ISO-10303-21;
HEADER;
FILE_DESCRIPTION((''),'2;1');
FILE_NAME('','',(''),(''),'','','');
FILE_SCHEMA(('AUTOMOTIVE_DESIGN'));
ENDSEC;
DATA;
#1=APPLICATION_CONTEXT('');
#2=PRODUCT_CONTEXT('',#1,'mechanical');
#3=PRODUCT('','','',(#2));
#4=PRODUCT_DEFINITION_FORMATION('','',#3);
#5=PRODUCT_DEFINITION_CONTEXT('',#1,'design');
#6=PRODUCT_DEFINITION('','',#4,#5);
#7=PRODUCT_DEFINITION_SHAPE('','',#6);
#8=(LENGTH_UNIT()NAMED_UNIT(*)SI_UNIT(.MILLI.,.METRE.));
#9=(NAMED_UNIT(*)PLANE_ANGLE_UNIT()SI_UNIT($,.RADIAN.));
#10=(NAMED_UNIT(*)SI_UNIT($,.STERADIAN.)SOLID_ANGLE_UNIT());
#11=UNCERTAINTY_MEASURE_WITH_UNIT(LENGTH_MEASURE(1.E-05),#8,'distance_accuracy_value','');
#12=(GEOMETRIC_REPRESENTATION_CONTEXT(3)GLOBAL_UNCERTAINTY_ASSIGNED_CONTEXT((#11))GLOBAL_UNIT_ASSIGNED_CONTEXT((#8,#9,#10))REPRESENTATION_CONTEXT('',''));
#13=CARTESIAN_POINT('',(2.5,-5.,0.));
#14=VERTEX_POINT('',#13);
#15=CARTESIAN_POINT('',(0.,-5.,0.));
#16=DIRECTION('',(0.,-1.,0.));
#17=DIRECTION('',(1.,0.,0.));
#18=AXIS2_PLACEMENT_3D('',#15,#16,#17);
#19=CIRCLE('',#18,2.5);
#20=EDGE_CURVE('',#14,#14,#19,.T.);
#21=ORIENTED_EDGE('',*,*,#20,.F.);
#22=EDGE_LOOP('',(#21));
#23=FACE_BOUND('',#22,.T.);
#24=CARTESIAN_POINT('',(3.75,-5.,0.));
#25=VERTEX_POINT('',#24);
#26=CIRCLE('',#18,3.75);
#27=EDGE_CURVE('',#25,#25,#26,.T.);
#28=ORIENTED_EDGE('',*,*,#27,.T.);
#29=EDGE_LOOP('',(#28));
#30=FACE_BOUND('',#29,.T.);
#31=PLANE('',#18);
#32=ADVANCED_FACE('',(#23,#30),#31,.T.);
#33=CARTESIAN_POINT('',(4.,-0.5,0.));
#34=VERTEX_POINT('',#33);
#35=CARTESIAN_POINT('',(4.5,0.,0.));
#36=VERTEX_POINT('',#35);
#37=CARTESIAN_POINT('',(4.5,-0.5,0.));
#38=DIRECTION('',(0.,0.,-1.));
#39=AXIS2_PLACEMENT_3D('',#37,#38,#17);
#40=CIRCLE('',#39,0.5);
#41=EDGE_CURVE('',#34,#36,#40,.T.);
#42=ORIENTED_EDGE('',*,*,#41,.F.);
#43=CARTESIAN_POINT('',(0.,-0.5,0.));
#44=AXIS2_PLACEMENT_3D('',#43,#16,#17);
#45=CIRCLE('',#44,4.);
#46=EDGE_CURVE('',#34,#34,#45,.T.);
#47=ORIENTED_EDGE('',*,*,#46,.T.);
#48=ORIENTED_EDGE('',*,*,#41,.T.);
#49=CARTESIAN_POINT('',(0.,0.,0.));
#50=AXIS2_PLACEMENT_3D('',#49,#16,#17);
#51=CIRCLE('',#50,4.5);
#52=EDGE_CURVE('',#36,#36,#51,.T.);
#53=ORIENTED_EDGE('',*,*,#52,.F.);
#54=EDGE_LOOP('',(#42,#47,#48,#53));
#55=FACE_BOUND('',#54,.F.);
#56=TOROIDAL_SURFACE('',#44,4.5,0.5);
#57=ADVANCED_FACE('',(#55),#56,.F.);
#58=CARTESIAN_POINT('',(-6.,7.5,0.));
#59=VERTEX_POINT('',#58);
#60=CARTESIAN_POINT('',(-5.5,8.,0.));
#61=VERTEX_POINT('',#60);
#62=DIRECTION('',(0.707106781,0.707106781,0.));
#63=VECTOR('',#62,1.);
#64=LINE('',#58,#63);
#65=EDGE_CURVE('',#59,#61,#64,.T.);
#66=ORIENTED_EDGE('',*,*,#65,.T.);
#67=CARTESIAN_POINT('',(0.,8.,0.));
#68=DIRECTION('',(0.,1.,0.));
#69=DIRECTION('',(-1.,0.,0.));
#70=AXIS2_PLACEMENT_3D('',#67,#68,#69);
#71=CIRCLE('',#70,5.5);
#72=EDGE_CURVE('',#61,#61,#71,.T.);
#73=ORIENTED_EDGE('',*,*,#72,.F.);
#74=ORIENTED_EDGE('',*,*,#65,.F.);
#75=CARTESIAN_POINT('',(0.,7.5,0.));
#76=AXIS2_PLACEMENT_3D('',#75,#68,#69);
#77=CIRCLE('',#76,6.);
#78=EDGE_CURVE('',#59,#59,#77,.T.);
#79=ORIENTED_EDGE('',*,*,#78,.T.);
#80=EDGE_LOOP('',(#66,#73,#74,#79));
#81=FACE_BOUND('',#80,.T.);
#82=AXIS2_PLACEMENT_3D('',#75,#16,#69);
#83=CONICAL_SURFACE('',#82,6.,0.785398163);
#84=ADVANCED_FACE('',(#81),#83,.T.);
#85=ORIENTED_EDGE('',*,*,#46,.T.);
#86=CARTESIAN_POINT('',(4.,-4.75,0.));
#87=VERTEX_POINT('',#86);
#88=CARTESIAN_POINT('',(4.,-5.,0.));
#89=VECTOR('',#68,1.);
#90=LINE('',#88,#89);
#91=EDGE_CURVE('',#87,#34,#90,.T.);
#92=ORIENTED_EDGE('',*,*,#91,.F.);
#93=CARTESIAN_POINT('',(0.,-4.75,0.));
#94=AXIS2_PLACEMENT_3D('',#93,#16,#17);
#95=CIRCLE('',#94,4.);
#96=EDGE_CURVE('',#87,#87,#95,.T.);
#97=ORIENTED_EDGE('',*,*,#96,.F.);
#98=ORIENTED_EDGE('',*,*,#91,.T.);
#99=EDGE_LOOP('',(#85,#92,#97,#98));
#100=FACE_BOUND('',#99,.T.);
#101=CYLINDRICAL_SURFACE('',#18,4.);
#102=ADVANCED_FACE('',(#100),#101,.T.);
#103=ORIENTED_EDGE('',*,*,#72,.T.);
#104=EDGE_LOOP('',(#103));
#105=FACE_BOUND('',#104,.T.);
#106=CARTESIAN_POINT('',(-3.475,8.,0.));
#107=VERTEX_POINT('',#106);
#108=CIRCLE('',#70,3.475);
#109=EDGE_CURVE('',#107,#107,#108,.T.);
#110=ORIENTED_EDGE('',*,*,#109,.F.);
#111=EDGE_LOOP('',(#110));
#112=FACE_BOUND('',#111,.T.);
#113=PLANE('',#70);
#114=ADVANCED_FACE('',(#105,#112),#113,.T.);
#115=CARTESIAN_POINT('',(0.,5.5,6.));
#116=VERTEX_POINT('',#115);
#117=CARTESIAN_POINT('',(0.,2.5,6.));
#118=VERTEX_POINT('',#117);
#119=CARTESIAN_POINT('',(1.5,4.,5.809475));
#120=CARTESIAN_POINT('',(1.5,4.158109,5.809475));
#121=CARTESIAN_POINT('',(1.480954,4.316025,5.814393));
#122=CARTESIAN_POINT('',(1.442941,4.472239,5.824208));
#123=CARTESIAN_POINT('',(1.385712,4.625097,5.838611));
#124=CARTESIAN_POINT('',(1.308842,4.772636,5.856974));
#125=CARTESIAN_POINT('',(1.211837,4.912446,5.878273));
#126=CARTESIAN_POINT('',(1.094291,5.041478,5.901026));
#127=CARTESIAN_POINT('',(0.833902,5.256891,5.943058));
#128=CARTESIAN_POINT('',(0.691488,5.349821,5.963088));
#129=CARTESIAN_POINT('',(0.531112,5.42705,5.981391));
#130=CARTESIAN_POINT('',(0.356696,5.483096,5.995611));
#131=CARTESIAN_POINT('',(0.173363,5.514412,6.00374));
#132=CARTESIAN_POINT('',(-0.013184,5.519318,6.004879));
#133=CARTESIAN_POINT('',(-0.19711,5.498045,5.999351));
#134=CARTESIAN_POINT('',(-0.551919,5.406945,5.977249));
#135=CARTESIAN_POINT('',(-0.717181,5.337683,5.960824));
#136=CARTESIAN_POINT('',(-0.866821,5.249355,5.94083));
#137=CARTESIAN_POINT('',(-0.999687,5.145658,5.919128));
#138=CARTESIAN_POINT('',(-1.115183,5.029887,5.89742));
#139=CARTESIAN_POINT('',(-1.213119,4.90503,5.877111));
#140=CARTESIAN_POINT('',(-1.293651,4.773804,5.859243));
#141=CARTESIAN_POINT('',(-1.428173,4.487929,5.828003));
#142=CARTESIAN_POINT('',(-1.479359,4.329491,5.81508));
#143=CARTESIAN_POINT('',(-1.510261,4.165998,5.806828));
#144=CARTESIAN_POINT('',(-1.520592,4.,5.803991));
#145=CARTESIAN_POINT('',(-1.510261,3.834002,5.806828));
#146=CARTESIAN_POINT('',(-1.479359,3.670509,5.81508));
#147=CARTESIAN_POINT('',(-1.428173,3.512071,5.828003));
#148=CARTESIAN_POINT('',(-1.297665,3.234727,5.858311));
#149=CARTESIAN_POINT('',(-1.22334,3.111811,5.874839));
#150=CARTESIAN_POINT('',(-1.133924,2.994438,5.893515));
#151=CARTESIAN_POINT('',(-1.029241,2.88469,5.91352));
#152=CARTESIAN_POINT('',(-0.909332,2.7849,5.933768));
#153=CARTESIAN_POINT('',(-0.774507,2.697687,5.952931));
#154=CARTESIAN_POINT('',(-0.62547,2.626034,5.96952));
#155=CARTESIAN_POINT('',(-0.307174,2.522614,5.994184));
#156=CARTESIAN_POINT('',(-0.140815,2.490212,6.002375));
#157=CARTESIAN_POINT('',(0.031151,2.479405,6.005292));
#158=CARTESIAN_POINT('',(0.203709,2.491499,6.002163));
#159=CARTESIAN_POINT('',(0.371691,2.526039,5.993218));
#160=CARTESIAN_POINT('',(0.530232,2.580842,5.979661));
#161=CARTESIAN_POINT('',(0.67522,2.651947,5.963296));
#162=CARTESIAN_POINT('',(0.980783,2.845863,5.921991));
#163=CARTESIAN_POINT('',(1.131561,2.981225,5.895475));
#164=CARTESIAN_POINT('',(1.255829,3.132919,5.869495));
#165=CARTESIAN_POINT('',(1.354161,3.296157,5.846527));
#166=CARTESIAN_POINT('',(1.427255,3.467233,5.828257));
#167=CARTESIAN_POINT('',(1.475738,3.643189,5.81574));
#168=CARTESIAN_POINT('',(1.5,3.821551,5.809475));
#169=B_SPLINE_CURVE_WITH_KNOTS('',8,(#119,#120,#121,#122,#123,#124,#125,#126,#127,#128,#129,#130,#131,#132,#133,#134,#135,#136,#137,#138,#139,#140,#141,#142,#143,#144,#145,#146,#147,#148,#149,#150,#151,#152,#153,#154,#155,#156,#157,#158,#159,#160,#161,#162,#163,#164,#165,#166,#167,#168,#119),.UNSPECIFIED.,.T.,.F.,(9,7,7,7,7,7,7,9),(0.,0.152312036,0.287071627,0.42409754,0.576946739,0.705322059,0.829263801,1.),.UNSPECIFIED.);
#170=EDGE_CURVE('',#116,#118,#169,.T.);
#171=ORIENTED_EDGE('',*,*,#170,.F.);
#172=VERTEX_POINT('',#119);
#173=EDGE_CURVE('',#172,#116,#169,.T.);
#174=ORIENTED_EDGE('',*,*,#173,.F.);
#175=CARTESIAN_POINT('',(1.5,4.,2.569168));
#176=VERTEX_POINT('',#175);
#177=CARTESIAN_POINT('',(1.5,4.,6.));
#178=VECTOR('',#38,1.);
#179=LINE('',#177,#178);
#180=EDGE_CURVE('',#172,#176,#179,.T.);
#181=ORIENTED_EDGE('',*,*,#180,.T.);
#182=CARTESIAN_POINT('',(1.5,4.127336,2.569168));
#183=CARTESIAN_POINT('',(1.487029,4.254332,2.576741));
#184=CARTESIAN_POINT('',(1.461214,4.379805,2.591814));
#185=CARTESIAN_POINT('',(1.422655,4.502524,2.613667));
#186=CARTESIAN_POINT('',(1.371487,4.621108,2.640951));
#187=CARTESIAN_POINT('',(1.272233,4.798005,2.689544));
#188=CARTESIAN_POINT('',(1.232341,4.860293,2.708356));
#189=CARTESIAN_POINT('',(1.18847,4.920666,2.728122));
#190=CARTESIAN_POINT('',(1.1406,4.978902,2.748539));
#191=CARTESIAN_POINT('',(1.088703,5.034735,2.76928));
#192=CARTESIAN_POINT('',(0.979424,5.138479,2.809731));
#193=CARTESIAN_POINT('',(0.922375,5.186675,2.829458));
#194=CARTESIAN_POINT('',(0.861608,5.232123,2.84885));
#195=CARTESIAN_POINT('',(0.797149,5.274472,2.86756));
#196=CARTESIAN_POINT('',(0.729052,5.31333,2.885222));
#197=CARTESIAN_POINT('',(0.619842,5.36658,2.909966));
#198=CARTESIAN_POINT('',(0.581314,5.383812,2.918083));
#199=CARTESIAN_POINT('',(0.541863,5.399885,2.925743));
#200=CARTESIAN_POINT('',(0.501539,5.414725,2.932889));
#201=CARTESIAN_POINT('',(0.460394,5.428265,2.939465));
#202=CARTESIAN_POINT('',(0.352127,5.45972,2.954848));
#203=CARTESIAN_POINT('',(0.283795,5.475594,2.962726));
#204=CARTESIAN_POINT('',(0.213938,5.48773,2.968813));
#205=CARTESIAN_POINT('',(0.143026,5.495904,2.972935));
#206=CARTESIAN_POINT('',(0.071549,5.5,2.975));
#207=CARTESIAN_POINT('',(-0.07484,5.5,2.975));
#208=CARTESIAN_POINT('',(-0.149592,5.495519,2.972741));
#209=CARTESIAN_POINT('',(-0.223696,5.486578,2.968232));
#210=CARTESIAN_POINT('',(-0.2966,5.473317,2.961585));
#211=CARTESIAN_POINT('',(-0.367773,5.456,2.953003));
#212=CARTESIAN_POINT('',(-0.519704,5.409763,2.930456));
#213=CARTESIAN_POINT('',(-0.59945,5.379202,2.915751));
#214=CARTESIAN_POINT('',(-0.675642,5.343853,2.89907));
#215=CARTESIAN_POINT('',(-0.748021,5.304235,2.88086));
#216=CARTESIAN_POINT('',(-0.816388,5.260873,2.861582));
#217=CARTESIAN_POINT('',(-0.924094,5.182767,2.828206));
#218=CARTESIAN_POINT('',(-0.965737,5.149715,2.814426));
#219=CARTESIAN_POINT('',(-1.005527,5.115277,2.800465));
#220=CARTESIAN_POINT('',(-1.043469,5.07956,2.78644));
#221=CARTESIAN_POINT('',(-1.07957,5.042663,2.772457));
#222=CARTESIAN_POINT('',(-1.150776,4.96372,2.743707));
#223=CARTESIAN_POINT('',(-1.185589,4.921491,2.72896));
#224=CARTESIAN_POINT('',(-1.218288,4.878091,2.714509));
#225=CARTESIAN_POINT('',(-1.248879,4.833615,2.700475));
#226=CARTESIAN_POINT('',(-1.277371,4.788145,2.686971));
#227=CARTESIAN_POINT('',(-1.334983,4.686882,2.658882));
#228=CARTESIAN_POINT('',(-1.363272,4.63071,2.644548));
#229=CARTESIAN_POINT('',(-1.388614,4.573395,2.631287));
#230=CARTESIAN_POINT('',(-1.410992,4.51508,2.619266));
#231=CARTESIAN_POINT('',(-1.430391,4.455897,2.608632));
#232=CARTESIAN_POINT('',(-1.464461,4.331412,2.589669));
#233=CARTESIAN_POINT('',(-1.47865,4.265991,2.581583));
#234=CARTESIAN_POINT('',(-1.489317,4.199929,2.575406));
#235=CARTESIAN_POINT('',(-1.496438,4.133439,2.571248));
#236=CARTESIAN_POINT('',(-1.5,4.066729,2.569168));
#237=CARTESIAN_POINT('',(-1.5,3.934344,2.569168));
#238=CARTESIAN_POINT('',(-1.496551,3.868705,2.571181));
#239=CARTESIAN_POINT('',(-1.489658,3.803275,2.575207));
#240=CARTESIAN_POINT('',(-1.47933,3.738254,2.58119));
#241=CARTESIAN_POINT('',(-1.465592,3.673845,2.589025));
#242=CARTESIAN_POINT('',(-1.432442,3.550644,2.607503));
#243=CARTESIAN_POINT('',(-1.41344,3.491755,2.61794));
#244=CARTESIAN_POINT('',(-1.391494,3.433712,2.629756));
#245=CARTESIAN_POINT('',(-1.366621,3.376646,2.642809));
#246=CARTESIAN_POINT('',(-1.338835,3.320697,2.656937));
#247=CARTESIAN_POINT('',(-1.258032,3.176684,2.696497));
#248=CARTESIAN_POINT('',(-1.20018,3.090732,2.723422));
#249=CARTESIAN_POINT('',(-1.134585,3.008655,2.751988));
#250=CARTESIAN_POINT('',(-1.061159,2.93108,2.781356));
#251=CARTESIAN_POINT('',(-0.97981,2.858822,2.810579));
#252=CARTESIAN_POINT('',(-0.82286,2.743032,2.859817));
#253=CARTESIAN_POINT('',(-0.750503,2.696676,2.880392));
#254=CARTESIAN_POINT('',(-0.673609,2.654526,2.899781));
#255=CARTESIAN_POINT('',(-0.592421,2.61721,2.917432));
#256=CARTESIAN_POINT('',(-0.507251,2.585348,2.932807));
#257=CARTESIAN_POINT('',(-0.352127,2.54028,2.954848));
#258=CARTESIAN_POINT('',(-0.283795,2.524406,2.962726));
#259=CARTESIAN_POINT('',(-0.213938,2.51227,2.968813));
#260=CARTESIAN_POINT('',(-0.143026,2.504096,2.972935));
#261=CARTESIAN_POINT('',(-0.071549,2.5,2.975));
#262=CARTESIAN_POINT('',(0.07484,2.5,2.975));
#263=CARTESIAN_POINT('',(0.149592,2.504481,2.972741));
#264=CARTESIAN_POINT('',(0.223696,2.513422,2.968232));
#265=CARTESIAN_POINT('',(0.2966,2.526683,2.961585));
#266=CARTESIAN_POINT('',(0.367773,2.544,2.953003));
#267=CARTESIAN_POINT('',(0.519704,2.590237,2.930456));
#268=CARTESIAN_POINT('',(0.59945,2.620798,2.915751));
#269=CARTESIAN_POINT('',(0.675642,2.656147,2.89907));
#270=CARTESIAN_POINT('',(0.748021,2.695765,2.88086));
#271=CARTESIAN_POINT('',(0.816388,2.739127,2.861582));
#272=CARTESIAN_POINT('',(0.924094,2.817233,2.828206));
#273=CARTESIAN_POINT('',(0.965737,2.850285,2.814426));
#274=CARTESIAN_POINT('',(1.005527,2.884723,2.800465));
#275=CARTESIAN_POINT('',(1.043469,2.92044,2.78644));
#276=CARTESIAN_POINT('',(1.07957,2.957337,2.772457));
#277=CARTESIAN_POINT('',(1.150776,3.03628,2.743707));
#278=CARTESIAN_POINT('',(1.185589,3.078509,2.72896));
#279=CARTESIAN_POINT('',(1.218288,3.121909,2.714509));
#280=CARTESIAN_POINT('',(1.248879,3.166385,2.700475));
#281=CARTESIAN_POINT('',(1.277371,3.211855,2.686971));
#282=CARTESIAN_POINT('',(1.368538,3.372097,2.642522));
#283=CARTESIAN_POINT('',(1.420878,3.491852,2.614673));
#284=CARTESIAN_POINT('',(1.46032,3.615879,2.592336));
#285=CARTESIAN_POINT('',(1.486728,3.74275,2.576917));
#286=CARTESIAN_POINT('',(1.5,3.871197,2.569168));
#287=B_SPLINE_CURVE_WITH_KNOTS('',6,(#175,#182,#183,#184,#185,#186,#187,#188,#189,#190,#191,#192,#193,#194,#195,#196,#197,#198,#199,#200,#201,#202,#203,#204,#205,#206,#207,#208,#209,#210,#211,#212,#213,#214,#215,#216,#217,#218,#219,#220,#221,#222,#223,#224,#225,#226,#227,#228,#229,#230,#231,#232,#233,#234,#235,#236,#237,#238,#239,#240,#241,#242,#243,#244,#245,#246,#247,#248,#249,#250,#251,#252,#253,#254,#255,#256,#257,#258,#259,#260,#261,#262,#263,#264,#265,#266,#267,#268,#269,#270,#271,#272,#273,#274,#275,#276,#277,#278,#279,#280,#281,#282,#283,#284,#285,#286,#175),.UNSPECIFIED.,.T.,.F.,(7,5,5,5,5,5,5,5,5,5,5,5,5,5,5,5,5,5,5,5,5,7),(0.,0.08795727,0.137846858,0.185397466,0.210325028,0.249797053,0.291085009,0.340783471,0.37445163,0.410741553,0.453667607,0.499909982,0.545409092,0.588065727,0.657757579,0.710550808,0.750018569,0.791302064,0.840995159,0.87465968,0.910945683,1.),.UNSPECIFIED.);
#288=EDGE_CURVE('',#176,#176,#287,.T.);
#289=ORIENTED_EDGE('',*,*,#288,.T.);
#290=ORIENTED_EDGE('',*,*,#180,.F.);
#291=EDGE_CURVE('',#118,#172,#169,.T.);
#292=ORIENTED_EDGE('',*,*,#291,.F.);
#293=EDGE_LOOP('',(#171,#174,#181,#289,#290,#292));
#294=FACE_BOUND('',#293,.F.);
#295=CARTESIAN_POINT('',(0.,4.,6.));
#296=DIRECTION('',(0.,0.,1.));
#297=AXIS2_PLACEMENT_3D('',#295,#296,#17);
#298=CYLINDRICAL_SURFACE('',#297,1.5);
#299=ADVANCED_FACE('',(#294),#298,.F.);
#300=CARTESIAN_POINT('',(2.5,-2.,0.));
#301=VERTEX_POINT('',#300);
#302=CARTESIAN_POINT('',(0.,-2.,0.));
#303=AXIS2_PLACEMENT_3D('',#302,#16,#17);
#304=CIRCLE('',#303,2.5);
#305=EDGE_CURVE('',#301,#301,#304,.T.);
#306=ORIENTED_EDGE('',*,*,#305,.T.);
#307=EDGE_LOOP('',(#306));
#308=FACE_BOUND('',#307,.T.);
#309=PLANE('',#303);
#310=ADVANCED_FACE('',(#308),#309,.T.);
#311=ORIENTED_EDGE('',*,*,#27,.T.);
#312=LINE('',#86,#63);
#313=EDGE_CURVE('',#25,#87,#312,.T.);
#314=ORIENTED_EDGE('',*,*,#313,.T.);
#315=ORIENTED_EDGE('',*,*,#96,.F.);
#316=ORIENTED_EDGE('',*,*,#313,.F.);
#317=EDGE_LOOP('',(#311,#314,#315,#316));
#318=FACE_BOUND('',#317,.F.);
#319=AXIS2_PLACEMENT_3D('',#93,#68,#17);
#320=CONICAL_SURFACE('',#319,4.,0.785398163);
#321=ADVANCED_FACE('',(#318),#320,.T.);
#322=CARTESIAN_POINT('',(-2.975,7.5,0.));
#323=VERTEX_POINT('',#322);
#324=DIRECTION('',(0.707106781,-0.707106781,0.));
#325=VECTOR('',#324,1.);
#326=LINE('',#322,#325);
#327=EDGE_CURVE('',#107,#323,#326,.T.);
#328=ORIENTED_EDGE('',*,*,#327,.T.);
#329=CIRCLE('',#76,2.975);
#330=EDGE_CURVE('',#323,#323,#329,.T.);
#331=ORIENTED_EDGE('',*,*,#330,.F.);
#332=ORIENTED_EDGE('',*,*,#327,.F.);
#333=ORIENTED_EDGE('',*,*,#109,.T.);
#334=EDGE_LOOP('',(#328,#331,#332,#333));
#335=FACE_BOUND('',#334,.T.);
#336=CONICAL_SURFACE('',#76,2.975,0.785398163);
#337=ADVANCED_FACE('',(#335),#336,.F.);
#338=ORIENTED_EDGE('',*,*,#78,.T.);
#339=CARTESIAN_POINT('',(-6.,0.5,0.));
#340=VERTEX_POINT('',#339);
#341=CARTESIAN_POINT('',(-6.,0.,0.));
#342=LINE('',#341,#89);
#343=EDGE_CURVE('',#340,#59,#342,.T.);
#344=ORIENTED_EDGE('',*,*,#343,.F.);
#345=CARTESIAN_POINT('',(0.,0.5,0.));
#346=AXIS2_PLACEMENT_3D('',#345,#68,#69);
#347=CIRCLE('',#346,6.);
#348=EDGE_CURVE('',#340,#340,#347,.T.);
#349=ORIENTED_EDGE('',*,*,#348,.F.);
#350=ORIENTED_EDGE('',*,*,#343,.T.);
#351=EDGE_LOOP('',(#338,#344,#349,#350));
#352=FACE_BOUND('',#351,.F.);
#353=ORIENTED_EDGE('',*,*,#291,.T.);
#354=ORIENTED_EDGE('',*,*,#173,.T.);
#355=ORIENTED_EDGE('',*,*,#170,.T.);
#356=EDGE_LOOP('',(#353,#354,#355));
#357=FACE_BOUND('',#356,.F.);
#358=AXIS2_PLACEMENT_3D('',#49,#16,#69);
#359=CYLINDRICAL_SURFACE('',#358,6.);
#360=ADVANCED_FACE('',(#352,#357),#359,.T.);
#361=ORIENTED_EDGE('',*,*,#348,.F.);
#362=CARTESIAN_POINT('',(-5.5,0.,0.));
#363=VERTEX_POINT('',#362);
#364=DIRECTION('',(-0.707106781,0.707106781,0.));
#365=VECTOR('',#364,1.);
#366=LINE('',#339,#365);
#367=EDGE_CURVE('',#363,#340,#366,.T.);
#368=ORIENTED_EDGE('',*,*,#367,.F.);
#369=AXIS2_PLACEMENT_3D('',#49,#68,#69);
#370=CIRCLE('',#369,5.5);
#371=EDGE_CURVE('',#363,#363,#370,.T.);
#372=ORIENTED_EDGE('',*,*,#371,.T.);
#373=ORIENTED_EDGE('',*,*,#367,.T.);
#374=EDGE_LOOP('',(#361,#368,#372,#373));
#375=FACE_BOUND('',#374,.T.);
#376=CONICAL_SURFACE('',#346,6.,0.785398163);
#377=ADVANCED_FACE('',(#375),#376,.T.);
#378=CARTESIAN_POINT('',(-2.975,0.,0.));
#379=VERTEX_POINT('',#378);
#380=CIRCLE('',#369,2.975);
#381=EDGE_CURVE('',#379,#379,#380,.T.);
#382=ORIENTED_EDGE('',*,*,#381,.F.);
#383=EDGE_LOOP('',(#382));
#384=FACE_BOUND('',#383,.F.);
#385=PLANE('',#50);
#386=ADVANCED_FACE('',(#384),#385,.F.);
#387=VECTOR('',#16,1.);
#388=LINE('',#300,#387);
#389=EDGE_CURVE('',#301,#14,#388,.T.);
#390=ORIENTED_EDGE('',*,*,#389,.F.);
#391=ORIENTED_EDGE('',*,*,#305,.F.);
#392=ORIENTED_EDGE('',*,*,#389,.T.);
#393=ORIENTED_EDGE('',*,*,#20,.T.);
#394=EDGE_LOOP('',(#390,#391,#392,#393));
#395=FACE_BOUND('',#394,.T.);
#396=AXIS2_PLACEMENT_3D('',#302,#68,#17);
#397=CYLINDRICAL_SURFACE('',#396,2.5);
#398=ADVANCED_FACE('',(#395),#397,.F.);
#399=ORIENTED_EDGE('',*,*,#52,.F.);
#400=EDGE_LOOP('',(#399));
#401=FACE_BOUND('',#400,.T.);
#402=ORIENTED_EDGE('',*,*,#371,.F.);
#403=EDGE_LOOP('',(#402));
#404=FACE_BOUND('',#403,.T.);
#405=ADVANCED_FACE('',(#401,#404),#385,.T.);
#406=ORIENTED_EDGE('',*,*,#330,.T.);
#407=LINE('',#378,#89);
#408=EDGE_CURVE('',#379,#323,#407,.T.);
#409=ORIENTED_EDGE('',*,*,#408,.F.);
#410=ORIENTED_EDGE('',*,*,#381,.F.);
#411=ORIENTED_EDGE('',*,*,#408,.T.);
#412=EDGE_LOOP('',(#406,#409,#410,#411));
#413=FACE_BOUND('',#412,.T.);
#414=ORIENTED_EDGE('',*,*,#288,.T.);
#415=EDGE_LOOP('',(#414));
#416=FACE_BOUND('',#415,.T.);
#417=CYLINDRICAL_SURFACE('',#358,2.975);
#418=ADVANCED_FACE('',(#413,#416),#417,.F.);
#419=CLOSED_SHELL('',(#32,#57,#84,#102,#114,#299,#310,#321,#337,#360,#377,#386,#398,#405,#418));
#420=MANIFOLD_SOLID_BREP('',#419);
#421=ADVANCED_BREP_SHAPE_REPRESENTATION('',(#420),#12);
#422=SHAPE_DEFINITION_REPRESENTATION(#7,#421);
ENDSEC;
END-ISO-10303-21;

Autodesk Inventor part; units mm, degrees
ref_plane "Plano de trabajo1" through (15, 0, 0) normal (1, 0, 0) x (0, 1, 0)
ref_plane "Plano de trabajo2" through (0, 0, 7.5) normal (0, 0, 1) x (1, 0, 0)
sketch "Boceto9" plane through (0, 0, 0) normal (0, 1, 0) x (-1, 0, 0)
  circle A0 centre (0, 0) radius 6
  circle A1 centre (0, 0) radius 2.975
  dimension "d34" = 12
  dimension "d35" = 5.95
extrude "Extrusión9" add sketch "Boceto9" along normal blind 8
sketch "Boceto10" plane through (0, 0, 0) normal (0, -1, 0) x (1, 0, 0)
  circle A0 centre (0, 0) radius 6 projected
  circle A1 centre (0, 0) radius 2.975 projected
  circle A2 centre (0, 0) radius 5
  dimension "d38" = 1
extrude "Extrusión10" add sketch "Boceto10" along normal blind 5 contours A2
sketch "Boceto11" plane through (0, 0, 0) normal (0, -1, 0) x (1, 0, 0)
  circle A0 centre (0, 0) radius 2.975 projected
extrude "Extrusión11" add sketch "Boceto11" along normal blind 2
sketch "Boceto12" plane through (0, -2, 0) normal (0, -1, 0) x (1, 0, 0)
  circle A0 centre (0, 0) radius 2.5
  circle A1 centre (0, 0) radius 2.975 projected
  dimension "d43" = 5
extrude "Extrusión12" add sketch "Boceto12" along normal blind 3
sketch "Boceto13" plane through (0, -5, 0) normal (0, -1, 0) x (1, 0, 0)
  circle A0 centre (0, 0) radius 4
  circle A1 centre (0, 0) radius 5 projected
  dimension "d46" = 8
extrude "Extrusión13" cut sketch "Boceto13" against normal blind 5
chamfer "Chaflán4" distance 0.25 angle 45 1 edges at (-4, -5, 0)
fillet "Empalme2" radius 0.5 1 edges at (-4, 0, 0)
chamfer "Chaflán5" distance 0.5 angle 45 2 edges at (6, 0, 0) (6, 8, 0)
chamfer "Chaflán6" distance 0.5 angle 45 1 edges at (2.975, 8, 0)
ref_plane "Plano de trabajo3" through (0, 0, 6) normal (0, 0, 1) x (1, 0, 0)
sketch "Boceto14" plane through (0, 0, 6) normal (0, 0, 1) x (1, 0, 0)
  line L0 (-6, 0.5) -> (6, 0.5) projected
  line L1 (6, 7.5) -> (-6, 7.5) projected
  line L2 (0, 0.5) -> (0, 7.5) construction
  circle A0 centre (0, 4) radius 1.5
  point P0 (0, 0)
  dimension "d60" = 3
extrude "Extrusión14" cut sketch "Boceto14" against normal blind 4
sketch "Boceto1" plane through (0, 0, 0) normal (0, 1, 0) x (-1, 0, 0)
  circle A0 centre (0, 0) radius 15
  dimension "d0" = 30
sketch "Boceto2" plane through (0, 10, 0) normal (0, 1, 0) x (1, 0, 0)
  circle A0 centre (0, 0) radius 2.5
  dimension "d3" = 5
sketch "Boceto3" plane through (0, 0, 0) normal (0, -1, 0) x (1, 0, 0)
  circle A0 centre (0, 0) radius 7.5
  dimension "d6" = 15
sketch "Boceto4" plane through (0, -10, 0) normal (0, -1, 0) x (1, 0, 0)
  circle A0 centre (0, 0) radius 2.975
  dimension "d9" = 5.95
sketch "Boceto6" plane through (0, -10, 0) normal (0, -1, 0) x (1, 0, 0)
  circle A0 centre (0, 0) radius 2.975 projected
  circle A1 centre (0, 0) radius 7.5 projected
sketch "Boceto8" plane through (0, 0, 7.5) normal (0, 0, 1) x (1, 0, 0)
  line L0 (-7.5, -14) -> (7.5, -14) projected
  line L1 (7.5, -2) -> (-7.5, -2) projected
  line L2 (7.5, -2) -> (7.5, -14) projected
  line L3 (-7.5, -2) -> (-7.5, -14) projected
  line L4 (7.5, -8) -> (-7.5, -8) construction
  circle A0 centre (0, -8) radius 1.5
  point P0 (0, 0)
  dimension "d31" = 3
sketch "Boceto7" plane through (15, 0, 0) normal (1, 0, 0) x (0, 1, 0)
  line L0 (1, 15) -> (1, -15) projected
  line L1 (14, -15) -> (14, 15) projected
  line L2 (1, -15) -> (10, -15) projected
  line L3 (1, 15) -> (10, 15) projected
  line L4 (7.5, 15) -> (7.5, -15) construction
  circle A0 centre (7.5, 0) radius 1.5
  point P0 (0, 0)
  dimension "d27" = 3
properties part number "Acople_EJE" material "Acero, aleación"
